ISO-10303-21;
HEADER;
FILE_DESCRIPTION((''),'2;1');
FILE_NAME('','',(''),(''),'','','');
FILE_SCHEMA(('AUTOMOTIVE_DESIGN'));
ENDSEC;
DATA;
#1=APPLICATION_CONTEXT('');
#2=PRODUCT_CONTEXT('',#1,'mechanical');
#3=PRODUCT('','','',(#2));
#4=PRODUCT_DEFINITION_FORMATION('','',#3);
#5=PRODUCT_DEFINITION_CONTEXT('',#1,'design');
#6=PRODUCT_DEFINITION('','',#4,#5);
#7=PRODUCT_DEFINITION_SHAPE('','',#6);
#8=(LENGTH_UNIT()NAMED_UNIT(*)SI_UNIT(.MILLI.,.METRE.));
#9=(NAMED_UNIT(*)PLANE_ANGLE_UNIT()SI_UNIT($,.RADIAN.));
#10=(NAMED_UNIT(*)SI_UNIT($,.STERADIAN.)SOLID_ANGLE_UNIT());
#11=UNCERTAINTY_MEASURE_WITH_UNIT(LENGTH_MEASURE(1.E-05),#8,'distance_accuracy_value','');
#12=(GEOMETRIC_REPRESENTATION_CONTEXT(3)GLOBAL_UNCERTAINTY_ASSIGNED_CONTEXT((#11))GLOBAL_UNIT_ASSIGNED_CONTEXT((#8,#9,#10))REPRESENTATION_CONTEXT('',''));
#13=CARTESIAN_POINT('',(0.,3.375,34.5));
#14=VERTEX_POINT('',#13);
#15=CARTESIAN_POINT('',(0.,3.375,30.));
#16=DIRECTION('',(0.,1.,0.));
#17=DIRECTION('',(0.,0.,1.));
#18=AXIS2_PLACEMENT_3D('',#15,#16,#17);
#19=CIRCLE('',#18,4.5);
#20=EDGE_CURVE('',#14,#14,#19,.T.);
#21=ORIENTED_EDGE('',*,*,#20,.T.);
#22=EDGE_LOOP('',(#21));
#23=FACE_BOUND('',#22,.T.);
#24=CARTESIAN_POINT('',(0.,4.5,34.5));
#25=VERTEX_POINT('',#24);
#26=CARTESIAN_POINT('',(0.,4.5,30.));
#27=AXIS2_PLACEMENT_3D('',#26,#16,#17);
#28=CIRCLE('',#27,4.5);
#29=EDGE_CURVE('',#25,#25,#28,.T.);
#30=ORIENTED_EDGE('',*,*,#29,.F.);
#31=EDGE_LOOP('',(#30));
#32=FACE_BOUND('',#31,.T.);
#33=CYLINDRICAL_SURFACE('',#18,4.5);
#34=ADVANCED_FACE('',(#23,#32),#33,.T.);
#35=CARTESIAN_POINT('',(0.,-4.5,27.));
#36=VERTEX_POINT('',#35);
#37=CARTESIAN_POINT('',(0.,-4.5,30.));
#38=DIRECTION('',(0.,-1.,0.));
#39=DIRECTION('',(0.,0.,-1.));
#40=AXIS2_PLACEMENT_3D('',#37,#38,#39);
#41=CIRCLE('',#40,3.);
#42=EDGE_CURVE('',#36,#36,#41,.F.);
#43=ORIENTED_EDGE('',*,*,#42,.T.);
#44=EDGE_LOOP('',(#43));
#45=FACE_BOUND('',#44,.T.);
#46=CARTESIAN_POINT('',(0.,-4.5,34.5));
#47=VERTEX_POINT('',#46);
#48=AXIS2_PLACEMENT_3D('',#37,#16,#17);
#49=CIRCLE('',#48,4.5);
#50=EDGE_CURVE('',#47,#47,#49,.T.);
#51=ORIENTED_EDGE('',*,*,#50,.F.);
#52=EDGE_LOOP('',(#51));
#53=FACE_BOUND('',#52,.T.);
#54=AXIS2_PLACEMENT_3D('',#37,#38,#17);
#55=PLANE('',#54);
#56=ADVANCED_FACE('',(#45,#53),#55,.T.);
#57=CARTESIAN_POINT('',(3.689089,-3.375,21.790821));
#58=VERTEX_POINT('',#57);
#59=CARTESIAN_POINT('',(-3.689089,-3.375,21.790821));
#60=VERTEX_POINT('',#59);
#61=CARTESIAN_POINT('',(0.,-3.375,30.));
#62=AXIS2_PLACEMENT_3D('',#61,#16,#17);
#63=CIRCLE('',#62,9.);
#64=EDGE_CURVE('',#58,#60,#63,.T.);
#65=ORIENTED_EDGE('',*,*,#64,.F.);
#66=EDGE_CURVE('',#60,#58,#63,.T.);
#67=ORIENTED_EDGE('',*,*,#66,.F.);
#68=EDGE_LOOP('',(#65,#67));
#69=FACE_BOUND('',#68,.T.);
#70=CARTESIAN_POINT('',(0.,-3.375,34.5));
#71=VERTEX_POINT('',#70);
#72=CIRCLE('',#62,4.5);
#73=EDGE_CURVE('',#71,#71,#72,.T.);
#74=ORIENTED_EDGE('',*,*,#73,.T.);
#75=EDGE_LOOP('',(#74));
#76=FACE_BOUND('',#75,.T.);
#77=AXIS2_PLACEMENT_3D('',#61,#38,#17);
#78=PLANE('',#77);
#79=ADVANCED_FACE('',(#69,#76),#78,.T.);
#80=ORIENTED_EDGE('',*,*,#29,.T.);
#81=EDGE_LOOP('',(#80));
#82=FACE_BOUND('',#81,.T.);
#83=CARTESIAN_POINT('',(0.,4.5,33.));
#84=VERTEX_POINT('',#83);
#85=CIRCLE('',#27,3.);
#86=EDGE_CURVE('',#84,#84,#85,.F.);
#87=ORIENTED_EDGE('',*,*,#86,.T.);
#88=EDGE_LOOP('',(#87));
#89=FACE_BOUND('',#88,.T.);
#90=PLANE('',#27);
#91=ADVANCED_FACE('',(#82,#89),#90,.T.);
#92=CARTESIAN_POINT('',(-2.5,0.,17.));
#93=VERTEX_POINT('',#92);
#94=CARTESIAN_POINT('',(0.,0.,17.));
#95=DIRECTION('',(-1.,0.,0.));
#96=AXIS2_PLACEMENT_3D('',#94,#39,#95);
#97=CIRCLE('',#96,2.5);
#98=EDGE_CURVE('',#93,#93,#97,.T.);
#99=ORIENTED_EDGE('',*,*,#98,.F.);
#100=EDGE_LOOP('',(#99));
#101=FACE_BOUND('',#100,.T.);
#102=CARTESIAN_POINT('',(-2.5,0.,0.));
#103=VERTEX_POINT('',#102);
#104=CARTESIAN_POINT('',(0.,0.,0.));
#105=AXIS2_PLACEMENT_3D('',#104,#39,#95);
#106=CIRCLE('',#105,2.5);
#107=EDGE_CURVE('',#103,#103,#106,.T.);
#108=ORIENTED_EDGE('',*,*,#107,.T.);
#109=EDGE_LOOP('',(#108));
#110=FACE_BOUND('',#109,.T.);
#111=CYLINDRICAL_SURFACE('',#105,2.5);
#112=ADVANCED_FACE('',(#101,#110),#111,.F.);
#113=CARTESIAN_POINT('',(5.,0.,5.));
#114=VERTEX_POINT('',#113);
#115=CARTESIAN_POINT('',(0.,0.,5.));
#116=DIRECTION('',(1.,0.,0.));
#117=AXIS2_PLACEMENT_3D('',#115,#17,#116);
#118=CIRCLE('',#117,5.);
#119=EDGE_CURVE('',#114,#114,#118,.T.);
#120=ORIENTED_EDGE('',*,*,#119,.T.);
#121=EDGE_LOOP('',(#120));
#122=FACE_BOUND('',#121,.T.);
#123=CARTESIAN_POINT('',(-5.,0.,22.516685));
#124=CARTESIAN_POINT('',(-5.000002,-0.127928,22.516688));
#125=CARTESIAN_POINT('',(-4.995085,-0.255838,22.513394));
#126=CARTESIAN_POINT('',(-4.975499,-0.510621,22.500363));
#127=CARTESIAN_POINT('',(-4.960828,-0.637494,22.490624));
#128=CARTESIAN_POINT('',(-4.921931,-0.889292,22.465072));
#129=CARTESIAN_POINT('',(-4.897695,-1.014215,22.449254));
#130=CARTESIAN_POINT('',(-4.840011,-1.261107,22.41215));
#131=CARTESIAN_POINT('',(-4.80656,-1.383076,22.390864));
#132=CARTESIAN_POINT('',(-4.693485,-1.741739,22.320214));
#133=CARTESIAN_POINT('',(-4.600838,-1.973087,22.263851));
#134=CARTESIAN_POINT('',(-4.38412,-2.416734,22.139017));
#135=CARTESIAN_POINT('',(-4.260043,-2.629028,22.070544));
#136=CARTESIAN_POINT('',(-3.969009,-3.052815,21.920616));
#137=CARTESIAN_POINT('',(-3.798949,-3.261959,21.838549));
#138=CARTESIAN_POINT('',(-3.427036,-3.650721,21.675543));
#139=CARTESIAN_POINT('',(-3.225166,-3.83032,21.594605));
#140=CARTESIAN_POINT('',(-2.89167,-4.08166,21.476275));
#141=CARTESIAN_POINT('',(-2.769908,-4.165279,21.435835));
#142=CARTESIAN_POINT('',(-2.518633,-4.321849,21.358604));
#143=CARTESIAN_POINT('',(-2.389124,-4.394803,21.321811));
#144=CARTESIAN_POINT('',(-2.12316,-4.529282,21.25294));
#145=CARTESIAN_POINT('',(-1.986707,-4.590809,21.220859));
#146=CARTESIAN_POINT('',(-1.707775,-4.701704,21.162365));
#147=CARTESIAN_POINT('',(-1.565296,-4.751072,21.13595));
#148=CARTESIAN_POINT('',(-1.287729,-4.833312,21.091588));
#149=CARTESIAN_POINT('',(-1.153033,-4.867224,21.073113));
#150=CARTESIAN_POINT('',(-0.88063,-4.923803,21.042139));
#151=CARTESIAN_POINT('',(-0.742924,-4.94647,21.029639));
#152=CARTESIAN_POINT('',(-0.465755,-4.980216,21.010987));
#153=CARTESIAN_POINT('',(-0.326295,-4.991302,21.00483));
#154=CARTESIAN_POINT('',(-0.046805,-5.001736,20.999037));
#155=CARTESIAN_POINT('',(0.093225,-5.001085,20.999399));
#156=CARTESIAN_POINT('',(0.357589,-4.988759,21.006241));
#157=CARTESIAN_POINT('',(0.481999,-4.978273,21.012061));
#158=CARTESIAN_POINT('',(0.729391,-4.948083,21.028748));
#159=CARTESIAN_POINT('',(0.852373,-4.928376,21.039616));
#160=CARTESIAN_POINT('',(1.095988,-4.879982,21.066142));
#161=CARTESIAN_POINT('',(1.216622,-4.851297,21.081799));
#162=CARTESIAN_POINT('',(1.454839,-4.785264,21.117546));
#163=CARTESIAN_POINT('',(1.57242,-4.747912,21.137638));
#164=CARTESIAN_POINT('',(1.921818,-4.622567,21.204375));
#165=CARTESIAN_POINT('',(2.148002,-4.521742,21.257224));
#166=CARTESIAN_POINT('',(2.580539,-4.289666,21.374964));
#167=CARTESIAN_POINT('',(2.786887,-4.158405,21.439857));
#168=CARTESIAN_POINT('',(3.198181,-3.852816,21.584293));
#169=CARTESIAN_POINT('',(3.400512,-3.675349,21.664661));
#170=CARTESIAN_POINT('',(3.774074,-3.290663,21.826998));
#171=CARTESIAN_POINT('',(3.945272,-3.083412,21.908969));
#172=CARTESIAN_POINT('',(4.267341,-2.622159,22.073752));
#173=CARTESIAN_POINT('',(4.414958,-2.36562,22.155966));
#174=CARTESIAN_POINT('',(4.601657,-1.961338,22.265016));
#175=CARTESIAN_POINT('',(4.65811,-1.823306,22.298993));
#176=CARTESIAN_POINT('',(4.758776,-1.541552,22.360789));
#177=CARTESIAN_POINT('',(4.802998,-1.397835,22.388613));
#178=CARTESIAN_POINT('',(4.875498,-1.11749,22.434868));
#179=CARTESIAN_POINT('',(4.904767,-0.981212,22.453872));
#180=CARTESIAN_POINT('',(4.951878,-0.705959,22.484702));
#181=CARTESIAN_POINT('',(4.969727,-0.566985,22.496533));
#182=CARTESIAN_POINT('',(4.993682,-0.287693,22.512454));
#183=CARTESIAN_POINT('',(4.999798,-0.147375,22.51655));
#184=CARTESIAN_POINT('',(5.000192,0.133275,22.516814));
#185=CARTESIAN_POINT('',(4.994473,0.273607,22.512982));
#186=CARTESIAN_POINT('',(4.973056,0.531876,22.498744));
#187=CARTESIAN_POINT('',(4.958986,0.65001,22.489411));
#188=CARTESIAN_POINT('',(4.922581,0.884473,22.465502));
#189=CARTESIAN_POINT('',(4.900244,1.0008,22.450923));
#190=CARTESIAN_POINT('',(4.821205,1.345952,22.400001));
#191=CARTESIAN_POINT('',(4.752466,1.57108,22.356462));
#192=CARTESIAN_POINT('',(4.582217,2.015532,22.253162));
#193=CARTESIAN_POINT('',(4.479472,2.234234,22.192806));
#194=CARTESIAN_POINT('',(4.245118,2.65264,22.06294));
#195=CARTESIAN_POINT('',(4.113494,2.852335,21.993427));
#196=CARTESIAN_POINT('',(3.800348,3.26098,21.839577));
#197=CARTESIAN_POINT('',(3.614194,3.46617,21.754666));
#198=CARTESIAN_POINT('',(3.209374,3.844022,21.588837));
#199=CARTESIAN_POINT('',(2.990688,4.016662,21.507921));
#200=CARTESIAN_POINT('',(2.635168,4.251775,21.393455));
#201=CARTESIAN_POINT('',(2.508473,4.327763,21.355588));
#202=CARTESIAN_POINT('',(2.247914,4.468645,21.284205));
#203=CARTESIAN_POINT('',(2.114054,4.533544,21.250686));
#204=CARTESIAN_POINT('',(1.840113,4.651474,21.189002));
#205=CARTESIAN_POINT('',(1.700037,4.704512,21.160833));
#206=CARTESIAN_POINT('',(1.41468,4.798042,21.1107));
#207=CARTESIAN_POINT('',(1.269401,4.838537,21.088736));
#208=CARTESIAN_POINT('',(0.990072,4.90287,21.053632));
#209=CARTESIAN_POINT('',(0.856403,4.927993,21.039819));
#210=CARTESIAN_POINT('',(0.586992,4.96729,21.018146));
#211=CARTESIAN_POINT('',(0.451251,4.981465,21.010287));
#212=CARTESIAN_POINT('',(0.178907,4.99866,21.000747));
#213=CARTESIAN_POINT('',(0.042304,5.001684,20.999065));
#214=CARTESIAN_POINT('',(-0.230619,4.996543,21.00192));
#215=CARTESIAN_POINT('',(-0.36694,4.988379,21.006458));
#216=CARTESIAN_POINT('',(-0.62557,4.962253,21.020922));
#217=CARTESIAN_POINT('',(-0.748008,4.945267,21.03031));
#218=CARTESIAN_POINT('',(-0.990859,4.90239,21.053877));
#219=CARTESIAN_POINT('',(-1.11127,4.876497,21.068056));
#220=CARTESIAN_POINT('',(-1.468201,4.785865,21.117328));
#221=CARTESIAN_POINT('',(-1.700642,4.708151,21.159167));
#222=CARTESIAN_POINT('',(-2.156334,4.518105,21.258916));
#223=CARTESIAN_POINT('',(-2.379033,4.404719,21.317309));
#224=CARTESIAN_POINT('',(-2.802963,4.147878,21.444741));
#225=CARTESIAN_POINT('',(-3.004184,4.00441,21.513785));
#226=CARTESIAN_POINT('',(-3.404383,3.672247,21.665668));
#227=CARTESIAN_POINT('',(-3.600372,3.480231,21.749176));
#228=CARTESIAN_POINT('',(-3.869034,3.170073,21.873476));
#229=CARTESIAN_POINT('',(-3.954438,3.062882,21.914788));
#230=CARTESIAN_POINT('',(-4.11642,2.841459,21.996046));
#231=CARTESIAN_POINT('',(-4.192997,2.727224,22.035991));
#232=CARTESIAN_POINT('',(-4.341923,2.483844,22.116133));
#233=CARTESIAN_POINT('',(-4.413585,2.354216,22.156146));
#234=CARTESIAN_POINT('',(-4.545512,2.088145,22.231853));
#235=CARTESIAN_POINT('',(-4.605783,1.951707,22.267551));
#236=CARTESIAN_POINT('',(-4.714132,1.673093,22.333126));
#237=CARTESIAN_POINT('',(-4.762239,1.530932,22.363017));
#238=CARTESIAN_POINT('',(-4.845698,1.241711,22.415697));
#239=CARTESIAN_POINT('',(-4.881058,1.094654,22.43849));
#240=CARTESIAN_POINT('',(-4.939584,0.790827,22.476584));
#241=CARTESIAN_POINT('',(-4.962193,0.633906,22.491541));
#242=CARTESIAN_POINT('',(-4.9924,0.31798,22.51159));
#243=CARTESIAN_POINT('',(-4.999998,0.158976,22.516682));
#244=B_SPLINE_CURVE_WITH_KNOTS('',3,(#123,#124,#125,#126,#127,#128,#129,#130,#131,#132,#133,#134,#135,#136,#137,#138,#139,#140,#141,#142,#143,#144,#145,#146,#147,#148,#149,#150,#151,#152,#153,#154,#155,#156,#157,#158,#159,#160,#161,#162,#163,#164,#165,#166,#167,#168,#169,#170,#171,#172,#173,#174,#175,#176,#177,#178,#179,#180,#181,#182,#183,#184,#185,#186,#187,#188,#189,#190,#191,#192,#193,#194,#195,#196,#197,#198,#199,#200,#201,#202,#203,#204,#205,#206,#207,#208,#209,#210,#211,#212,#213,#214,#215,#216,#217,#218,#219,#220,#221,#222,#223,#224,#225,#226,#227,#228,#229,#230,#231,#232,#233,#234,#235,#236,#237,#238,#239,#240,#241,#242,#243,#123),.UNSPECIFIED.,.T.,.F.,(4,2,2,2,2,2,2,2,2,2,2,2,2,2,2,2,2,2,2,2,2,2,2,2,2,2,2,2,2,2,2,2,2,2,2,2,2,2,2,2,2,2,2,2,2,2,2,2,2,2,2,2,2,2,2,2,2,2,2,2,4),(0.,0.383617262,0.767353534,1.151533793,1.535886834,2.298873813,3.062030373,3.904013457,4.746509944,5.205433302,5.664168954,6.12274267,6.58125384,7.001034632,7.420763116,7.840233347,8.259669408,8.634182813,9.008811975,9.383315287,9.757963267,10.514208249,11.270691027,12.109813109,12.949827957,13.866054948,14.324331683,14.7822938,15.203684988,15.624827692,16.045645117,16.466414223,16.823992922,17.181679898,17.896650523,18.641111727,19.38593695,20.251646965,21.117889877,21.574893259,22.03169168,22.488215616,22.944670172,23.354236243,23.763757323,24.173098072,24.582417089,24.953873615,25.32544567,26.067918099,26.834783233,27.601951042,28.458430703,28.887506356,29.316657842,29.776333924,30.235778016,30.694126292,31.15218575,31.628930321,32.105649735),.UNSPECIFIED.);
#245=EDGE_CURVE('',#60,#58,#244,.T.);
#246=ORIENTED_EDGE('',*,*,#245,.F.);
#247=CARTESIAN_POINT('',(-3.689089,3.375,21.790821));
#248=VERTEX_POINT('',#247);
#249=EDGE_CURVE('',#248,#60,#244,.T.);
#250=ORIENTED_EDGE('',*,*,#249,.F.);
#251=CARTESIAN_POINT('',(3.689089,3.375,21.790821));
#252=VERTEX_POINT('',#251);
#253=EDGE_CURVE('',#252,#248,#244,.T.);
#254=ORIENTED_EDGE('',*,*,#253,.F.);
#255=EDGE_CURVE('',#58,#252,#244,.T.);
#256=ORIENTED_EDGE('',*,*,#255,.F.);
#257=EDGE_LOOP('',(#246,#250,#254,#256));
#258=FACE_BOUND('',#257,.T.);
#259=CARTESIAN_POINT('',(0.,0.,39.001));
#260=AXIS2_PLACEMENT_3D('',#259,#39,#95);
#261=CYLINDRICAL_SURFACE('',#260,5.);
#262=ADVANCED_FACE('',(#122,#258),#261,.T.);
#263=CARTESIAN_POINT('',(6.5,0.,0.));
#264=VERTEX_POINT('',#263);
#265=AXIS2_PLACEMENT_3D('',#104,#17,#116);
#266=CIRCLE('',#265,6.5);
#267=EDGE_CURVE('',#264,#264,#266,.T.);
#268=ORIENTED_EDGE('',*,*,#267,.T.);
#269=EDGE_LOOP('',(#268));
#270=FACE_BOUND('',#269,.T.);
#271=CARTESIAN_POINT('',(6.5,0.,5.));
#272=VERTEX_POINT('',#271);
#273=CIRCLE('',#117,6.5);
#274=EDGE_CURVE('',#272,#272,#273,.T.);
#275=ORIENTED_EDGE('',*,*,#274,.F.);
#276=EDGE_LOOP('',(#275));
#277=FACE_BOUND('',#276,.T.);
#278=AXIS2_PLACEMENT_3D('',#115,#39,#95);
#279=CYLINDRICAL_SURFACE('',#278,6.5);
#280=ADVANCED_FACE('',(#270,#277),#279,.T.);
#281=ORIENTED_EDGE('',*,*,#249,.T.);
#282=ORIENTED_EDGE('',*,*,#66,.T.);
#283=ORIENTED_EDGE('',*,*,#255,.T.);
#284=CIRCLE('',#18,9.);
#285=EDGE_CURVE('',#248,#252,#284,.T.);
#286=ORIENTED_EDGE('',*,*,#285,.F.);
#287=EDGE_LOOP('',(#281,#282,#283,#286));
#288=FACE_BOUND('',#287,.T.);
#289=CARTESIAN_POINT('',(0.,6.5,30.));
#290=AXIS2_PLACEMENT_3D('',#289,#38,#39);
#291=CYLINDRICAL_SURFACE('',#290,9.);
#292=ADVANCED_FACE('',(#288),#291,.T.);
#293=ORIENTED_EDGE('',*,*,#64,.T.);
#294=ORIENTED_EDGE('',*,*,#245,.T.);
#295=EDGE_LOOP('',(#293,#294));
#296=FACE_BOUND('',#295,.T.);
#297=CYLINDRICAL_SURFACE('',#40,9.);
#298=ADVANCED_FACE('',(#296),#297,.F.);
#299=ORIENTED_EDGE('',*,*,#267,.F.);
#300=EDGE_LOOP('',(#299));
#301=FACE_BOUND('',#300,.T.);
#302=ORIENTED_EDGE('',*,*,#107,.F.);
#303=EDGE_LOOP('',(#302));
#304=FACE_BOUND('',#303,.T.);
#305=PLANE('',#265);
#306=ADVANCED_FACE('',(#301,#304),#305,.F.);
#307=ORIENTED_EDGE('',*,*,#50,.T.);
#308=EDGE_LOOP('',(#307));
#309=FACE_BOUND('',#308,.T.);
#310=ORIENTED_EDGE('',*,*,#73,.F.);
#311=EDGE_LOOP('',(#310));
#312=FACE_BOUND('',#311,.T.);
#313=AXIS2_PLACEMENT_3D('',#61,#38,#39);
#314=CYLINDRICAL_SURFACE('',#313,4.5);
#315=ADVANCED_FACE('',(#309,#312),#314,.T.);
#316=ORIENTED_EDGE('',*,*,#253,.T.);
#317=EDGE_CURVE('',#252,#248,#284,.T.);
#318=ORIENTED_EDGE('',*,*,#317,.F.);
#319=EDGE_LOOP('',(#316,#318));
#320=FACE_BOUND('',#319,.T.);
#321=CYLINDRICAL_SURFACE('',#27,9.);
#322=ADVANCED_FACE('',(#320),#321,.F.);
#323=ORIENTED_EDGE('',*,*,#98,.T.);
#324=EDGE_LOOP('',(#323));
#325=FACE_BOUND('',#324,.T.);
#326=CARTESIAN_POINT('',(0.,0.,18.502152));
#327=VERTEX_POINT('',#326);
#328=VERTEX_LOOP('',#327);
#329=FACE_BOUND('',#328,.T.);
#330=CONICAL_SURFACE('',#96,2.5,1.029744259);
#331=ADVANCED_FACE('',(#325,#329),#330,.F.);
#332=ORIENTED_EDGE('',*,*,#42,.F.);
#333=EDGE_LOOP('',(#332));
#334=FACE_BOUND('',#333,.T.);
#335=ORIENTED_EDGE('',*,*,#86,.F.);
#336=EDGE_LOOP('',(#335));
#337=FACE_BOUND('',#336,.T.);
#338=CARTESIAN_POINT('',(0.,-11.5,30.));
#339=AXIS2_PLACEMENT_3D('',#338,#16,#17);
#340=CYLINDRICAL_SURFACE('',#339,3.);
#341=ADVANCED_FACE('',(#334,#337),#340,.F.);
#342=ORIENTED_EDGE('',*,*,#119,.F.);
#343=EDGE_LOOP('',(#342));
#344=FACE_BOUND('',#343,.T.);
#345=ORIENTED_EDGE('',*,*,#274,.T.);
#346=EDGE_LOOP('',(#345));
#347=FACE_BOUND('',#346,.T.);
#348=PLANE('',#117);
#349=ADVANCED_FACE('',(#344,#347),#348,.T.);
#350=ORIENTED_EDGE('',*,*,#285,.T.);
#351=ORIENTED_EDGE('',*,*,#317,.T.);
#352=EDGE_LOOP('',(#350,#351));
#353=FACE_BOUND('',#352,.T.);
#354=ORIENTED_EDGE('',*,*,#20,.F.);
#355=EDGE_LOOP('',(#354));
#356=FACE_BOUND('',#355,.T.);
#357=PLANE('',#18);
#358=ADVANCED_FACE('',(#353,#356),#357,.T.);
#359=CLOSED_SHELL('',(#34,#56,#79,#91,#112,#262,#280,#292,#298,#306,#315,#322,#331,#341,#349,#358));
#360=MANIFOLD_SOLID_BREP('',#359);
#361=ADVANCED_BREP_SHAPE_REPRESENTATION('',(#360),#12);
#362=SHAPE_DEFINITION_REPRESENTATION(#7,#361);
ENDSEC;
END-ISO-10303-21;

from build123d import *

# Parameters (mm, degrees)
SKETCH_2_R             = 6.5
EXTRUDE_1_DEPTH        = 5
SKETCH_3_R             = 9
EXTRUDE_2_DEPTH        = 6.5
SKETCH_4_R             = 3
CUT_EXTRUDE_1_DEPTH    = 18
EXTRUDE_3_REACH        = 37.767
EXTRUDE_3_END_RADIUS   = 9
SKETCH_7_R             = 5
SKETCH_8_R             = 9
CUT_EXTRUDE_6_DEPTH    = 2
SKETCH_11_R            = 9
SKETCH_11_R_2          = 4.5
CUT_EXTRUDE_8_DEPTH    = 1.125
HOLE_WIZARD_M6_3_D     = 5
HOLE_WIZARD_M6_3_DEPTH = 17
HOLE_WIZARD_M6_3_TIP   = 1.502151548


with BuildPart() as part:
    # 草图2 → 凸台-拉伸1 (new body)
    with BuildSketch(Plane.XY):
        Circle(SKETCH_2_R)
    extrude(amount=EXTRUDE_1_DEPTH)



with BuildPart() as body_2:
    # 草图3 → 凸台-拉伸2 (new, symmetric)
    with BuildSketch(Plane(origin=(0, 0, 0), x_dir=(1, 0, 0), z_dir=(0, 1, 0))):
        with Locations(Location((0, -30, 0), (0, 0, 90))):
            Circle(SKETCH_3_R)
    extrude(amount=EXTRUDE_2_DEPTH, both=True)

    # 草图4 → 切除-拉伸1 (cut)
    with BuildSketch(Plane(origin=(0, 6.5, 0), x_dir=(1, 0, 0), z_dir=(0, 1, 0))):
        with Locations(Location((0, -30, 0), (0, 0, 270))):
            Circle(SKETCH_4_R)
    extrude(amount=-CUT_EXTRUDE_1_DEPTH, mode=Mode.SUBTRACT)


with BuildPart() as part_1:
    add(part.part)

    add(body_2.part)  # 凸台-拉伸3 merges body 2
    # 凸台-拉伸3: up to this cylinder (the profile starts outside it)
    extrude_3_end = Plane(origin=(0, 0, 30), z_dir=(0, -1, 0)) * Cylinder(EXTRUDE_3_END_RADIUS, 94.534, mode=Mode.PRIVATE)
    # 草图7 → 凸台-拉伸3 (add, up to the surface)
    with BuildSketch(Plane.XY.offset(5), mode=Mode.PRIVATE) as extrude_3_sk1:
        with Locations(Location((0, 0, 0), (0, 0, 180))):
            Circle(SKETCH_7_R)
    extrude_3_tool1 = extrude(extrude_3_sk1.sketch, amount=EXTRUDE_3_REACH, mode=Mode.PRIVATE) - extrude_3_end
    add(extrude_3_tool1.solids().sort_by_distance((0, 0, 5))[0])

    # 草图8 → 切除-拉伸6 (cut)
    with BuildSketch(Plane(origin=(0, 6.5, 0), x_dir=(1, 0, 0), z_dir=(0, 1, 0))):
        with Locations(Location((0, -30, 0), (0, 0, 75.985881611))):
            Circle(SKETCH_8_R)
    cut_extrude_6 = extrude(amount=-CUT_EXTRUDE_6_DEPTH, mode=Mode.SUBTRACT)

    # 镜向2: 切除-拉伸6 across plane
    add(cut_extrude_6.mirror(Plane.ZX), mode=Mode.SUBTRACT)

    # 草图11 → 切除-拉伸8 (cut)
    with BuildSketch(Plane(origin=(0, 4.5, 0), x_dir=(1, 0, 0), z_dir=(0, 1, 0))):
        with Locations((0, -30)):
            Circle(SKETCH_11_R)
        with Locations(Location((0, -30, 0), (0, 0, 270))):
            Circle(SKETCH_11_R_2, mode=Mode.SUBTRACT)
    cut_extrude_8 = extrude(amount=-CUT_EXTRUDE_8_DEPTH, mode=Mode.SUBTRACT)

    # 镜向3: 切除-拉伸8 across plane
    add(cut_extrude_8.mirror(Plane.ZX), mode=Mode.SUBTRACT)

    # M6 螺纹孔3
    with Locations(Plane(origin=(0, 0, 0), x_dir=(-1, 0, 0), z_dir=(0, 0, -1))):
        with Locations((0, 0)):
            Hole(HOLE_WIZARD_M6_3_D / 2, depth=HOLE_WIZARD_M6_3_DEPTH)
            with Locations((0, 0, -(HOLE_WIZARD_M6_3_DEPTH + HOLE_WIZARD_M6_3_TIP / 2))):  # 118° drill point
                Cone(0, HOLE_WIZARD_M6_3_D / 2, HOLE_WIZARD_M6_3_TIP, mode=Mode.SUBTRACT)


solid = part_1.part
